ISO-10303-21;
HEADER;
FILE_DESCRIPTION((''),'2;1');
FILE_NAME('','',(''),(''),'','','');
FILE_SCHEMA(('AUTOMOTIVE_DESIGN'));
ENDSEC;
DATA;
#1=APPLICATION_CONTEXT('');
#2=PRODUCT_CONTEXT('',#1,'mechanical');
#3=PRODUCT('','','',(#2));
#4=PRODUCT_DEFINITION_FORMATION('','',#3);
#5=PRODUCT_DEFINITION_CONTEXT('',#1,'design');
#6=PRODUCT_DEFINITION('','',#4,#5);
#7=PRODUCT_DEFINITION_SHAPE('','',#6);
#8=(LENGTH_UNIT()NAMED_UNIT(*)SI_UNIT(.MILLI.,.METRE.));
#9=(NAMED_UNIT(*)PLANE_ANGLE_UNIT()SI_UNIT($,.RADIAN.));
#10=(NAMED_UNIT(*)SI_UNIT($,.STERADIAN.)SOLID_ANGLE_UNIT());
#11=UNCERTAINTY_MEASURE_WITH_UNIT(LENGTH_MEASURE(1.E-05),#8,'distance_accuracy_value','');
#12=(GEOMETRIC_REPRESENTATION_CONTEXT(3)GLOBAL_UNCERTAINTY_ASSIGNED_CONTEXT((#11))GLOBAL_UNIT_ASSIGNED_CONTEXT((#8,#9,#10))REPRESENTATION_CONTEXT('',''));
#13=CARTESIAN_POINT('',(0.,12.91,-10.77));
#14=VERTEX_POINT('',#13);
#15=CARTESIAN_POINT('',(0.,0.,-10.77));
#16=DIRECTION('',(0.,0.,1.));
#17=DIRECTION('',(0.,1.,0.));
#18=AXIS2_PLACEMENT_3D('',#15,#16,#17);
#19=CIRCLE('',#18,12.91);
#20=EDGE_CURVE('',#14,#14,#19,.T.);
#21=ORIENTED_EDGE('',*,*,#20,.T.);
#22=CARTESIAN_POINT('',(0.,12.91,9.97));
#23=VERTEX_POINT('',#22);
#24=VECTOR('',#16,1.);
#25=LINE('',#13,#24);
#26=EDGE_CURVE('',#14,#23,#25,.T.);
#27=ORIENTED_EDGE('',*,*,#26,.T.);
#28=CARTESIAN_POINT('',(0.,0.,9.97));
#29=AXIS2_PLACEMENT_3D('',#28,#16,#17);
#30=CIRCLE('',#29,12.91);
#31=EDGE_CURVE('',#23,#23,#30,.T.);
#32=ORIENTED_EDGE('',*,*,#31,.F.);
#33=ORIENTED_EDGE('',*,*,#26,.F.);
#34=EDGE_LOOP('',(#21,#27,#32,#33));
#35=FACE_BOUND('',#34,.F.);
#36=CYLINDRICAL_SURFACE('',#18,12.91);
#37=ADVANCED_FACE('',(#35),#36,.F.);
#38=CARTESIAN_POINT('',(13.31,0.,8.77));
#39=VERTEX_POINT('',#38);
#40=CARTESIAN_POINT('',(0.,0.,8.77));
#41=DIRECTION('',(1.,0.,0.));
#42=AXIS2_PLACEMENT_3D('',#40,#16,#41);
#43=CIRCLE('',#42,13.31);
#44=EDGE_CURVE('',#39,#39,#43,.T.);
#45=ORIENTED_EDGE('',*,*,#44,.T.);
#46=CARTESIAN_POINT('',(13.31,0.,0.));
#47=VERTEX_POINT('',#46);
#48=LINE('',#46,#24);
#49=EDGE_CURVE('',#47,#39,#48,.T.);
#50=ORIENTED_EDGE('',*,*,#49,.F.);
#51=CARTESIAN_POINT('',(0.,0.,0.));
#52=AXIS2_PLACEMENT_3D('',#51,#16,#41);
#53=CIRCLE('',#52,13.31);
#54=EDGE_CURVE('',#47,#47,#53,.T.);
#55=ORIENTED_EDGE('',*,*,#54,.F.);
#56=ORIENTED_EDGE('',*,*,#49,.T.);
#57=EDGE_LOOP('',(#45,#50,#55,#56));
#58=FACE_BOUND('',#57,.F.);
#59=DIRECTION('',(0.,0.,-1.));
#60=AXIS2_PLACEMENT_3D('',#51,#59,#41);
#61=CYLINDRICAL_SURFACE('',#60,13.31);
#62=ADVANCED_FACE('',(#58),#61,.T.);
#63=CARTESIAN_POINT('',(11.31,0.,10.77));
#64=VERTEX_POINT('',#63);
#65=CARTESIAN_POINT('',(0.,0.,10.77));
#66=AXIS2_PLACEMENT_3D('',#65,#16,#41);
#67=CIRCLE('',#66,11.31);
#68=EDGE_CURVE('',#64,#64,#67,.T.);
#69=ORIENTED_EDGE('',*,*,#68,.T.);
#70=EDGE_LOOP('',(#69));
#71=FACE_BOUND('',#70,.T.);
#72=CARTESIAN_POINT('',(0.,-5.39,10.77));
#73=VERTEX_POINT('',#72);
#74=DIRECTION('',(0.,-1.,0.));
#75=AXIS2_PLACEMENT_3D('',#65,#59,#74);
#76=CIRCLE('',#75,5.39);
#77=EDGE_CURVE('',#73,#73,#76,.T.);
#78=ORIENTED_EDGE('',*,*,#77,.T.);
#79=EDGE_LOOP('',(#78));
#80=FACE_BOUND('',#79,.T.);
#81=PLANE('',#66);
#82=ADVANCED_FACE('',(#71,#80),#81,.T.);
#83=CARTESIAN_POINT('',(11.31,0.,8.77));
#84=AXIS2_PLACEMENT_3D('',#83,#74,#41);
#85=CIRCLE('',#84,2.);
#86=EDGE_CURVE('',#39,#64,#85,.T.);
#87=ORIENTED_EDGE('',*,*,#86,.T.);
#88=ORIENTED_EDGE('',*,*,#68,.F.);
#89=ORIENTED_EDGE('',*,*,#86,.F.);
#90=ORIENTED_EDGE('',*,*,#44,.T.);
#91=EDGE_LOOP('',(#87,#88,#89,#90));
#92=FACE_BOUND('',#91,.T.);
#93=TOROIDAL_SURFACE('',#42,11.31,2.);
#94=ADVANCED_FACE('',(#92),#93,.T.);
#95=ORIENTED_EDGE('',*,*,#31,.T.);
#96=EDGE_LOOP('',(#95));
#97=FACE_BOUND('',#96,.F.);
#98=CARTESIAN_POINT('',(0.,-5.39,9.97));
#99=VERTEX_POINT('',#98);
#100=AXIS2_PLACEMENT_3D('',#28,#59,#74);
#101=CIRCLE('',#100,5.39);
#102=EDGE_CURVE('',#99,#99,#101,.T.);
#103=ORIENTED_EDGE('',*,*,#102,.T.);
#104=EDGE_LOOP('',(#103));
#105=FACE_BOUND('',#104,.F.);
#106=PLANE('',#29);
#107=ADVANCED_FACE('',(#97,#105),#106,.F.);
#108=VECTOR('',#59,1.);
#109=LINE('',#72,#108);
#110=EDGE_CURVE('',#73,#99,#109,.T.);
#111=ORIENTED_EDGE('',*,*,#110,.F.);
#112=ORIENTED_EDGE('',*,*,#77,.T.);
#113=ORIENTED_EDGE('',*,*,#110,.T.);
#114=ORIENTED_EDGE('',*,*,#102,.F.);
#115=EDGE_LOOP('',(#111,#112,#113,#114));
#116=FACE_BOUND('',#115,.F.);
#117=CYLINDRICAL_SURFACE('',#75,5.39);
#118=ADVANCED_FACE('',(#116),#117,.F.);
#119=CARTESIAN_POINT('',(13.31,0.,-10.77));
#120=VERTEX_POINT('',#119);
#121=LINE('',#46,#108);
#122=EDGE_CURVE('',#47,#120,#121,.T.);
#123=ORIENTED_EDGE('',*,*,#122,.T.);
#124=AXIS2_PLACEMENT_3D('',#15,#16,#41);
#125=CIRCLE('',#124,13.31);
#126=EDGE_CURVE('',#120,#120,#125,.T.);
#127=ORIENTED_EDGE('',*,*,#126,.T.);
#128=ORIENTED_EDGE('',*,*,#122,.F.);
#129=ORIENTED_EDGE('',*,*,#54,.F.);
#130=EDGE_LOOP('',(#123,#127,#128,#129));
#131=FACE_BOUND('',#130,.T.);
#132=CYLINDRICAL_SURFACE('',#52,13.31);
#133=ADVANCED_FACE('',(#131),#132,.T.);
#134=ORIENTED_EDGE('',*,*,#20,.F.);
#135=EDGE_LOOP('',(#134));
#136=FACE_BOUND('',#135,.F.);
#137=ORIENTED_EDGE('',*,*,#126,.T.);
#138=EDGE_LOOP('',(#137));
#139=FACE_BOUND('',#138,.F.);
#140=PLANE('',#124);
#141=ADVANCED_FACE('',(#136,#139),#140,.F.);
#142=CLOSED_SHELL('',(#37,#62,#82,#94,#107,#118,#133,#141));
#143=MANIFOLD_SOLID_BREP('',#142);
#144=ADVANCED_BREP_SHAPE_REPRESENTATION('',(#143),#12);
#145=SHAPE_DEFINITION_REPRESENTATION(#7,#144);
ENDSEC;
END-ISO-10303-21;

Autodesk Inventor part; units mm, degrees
ref_plane "YZ Plane" through (0, 0, 0) normal (1, 0, 0) x (0, 1, 0)
ref_plane "XZ Plane" through (0, 0, 0) normal (0, 1, 0) x (-1, 0, 0)
ref_plane "XY Plane" through (0, 0, 0) normal (0, 0, 1) x (1, 0, 0)
sketch "Boceto1" plane through (0, 0, 0) normal (0, 0, 1) x (1, 0, 0)
  circle A0 centre (0, 0) radius 13.31
  dimension "d0" = 26.62
extrude "Extrusión1" add sketch "Boceto1" along normal mid plane 21.54
sketch "Boceto2" plane through (0, 0, 0) normal (0, 1, 0) x (-1, 0, 0)
  point P0 (0, 0)
hole "Hole1" at (0, 0, 10.77) direction (0, 0, -1) diameter 10.78 depth 0.8
hole "Hole2" at (0, 0, -10.77) direction (0, 0, 1) diameter 25.82 depth 20.74
fillet "Empalme1" radius 2 1 edges at (-13.31, 0, 10.77)
properties part number "CajaMotor"
